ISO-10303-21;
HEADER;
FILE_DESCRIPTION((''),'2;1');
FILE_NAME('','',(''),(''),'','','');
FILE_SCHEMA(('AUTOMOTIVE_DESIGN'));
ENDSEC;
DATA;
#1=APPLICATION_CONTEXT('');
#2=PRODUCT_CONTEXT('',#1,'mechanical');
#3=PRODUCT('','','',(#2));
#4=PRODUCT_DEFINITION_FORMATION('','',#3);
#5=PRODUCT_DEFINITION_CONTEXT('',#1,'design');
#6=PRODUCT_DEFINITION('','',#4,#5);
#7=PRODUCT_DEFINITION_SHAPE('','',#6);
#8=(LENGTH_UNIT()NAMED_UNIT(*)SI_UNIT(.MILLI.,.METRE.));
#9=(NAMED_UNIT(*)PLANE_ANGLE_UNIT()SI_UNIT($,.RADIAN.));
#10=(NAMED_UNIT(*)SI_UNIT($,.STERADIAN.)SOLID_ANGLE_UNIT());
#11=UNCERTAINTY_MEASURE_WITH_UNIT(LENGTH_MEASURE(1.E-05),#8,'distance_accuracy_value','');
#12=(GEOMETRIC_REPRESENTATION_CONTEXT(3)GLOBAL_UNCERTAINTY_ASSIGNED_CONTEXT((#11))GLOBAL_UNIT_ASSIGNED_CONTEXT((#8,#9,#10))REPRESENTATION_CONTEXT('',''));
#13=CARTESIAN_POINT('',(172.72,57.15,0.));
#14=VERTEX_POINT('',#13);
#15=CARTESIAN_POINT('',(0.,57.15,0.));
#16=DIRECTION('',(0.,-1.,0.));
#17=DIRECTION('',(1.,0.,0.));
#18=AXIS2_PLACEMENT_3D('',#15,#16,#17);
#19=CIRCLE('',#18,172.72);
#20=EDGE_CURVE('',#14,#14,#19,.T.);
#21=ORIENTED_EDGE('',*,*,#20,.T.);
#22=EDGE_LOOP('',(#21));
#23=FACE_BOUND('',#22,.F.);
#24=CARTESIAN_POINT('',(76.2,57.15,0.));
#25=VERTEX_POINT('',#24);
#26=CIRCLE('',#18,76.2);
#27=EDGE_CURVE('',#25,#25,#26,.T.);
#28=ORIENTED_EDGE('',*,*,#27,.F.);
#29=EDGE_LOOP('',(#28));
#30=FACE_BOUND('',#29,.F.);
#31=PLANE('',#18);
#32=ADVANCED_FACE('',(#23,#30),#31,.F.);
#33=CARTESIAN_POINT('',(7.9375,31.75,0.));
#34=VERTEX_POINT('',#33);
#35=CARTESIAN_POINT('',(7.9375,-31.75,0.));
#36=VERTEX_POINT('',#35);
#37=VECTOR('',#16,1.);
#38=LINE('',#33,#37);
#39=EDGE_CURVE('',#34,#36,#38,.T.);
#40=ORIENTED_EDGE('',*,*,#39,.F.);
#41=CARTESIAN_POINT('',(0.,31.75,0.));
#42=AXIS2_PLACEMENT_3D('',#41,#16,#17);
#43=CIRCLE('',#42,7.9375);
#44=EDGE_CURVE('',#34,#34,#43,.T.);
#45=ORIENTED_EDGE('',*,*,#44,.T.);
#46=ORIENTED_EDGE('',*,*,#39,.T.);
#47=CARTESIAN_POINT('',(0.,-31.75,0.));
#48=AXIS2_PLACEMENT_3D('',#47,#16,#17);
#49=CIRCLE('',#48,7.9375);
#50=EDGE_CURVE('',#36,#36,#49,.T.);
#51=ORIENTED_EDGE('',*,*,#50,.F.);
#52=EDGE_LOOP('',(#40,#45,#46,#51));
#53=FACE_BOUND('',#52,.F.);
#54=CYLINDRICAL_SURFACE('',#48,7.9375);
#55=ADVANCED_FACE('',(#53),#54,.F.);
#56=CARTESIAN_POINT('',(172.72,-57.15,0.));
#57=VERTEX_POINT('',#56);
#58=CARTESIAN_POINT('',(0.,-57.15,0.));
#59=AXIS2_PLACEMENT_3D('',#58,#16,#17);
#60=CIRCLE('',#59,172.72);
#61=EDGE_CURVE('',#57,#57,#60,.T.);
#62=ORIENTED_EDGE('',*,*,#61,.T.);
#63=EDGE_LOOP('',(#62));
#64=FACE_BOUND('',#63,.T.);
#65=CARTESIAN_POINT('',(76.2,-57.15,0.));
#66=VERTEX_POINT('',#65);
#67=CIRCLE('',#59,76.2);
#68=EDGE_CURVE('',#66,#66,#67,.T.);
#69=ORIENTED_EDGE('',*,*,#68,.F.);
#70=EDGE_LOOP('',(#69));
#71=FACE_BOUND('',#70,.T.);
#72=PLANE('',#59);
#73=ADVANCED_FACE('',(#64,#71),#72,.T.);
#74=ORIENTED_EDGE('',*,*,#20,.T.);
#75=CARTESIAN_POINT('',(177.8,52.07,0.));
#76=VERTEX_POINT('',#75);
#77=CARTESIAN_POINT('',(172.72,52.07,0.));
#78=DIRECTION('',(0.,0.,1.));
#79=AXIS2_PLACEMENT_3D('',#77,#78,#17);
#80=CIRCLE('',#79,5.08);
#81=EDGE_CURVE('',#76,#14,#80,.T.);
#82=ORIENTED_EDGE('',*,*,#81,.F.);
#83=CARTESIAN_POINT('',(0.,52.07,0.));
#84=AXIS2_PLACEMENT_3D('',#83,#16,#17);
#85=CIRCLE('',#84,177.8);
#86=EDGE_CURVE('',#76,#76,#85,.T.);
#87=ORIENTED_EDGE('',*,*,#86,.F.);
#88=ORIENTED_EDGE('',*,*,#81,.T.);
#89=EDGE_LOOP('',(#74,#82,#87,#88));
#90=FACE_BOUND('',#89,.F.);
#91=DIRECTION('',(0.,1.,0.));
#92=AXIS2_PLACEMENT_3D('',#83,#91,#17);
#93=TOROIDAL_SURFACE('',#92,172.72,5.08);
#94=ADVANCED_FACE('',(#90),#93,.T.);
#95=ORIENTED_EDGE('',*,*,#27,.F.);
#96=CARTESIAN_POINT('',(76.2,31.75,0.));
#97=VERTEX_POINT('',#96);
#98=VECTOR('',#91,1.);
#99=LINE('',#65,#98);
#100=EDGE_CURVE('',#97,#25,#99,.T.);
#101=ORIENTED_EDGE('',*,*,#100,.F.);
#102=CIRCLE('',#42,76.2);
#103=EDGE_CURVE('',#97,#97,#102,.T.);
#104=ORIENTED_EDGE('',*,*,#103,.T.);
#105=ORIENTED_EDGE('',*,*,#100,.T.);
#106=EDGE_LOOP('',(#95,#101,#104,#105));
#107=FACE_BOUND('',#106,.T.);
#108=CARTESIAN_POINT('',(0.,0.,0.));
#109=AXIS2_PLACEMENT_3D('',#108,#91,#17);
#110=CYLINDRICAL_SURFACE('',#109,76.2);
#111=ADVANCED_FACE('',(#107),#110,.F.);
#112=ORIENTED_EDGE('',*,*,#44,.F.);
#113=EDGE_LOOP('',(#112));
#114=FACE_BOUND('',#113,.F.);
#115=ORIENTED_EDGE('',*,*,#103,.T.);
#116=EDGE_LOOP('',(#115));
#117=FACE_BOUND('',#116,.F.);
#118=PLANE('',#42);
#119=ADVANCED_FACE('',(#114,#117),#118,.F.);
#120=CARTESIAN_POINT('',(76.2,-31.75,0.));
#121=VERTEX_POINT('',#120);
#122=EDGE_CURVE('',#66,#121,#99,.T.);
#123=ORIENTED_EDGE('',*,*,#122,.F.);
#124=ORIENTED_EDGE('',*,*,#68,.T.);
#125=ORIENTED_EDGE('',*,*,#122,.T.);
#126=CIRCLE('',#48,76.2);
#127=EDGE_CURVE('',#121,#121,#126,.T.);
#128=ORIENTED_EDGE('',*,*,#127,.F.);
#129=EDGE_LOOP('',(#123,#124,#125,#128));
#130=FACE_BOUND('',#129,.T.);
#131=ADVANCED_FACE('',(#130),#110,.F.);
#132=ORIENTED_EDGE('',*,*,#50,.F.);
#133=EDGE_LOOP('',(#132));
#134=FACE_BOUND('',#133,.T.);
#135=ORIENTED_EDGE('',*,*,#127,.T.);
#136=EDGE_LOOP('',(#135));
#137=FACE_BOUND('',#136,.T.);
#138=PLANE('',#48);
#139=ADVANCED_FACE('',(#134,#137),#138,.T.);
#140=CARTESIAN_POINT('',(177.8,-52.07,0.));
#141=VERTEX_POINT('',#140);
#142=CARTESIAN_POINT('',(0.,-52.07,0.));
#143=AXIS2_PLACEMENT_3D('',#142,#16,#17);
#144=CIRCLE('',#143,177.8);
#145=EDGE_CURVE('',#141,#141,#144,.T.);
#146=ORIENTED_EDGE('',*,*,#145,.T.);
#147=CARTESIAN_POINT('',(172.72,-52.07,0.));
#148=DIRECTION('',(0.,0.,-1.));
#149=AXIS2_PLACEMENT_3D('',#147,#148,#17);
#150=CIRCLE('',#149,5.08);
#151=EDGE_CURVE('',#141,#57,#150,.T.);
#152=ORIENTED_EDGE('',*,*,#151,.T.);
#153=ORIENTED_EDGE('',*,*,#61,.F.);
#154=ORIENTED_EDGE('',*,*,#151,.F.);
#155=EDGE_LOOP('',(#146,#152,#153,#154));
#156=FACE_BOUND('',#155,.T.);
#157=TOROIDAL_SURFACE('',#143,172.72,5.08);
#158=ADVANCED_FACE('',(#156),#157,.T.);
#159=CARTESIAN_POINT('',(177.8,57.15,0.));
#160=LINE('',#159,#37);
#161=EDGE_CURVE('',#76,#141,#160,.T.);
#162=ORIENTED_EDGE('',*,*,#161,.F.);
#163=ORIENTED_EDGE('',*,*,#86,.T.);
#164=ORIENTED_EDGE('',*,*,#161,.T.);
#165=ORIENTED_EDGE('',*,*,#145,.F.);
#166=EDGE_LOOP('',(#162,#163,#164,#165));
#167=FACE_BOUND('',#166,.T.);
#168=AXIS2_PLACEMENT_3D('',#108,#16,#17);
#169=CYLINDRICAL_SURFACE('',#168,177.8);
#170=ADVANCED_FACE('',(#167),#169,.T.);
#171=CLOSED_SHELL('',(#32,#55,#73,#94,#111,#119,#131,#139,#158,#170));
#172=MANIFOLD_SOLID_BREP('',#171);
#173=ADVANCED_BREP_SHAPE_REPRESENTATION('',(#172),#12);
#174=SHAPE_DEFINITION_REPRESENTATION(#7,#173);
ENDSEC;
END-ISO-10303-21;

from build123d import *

# Parameters (mm, degrees)
F0_R     = 177.8
F0_R_2   = 76.2
F1_DEPTH = 57.15
F2_R     = 76.2
F3_DEPTH = 31.75
F4_R     = 7.9375
F5_DEPTH = 63.5
F6_R     = 5.08


with BuildPart() as f1:
    # F0 (on Front) → F1 (new body, symmetric)
    with BuildSketch(Plane.XZ):
        Circle(F0_R)
        Circle(F0_R_2, mode=Mode.SUBTRACT)
    extrude(amount=F1_DEPTH, both=True)

    # F2 (on Front) → F3 (join, symmetric)
    with BuildSketch(Plane.XZ):
        Circle(F2_R)
    extrude(amount=F3_DEPTH, both=True)

    # F4 (on face) → F5 (cut, symmetric)
    with BuildSketch(Plane.XZ.offset(31.75)):
        Circle(F4_R)
    extrude(amount=F5_DEPTH, both=True, mode=Mode.SUBTRACT)

    # F6
    f6_edges = [f1.edges().sort_by_distance(p)[0] for p in [
        (-177.8, -57.15, 0),
        (-177.8, 57.15, 0),
    ]]
    fillet(f6_edges, radius=F6_R)


solid = f1.part
